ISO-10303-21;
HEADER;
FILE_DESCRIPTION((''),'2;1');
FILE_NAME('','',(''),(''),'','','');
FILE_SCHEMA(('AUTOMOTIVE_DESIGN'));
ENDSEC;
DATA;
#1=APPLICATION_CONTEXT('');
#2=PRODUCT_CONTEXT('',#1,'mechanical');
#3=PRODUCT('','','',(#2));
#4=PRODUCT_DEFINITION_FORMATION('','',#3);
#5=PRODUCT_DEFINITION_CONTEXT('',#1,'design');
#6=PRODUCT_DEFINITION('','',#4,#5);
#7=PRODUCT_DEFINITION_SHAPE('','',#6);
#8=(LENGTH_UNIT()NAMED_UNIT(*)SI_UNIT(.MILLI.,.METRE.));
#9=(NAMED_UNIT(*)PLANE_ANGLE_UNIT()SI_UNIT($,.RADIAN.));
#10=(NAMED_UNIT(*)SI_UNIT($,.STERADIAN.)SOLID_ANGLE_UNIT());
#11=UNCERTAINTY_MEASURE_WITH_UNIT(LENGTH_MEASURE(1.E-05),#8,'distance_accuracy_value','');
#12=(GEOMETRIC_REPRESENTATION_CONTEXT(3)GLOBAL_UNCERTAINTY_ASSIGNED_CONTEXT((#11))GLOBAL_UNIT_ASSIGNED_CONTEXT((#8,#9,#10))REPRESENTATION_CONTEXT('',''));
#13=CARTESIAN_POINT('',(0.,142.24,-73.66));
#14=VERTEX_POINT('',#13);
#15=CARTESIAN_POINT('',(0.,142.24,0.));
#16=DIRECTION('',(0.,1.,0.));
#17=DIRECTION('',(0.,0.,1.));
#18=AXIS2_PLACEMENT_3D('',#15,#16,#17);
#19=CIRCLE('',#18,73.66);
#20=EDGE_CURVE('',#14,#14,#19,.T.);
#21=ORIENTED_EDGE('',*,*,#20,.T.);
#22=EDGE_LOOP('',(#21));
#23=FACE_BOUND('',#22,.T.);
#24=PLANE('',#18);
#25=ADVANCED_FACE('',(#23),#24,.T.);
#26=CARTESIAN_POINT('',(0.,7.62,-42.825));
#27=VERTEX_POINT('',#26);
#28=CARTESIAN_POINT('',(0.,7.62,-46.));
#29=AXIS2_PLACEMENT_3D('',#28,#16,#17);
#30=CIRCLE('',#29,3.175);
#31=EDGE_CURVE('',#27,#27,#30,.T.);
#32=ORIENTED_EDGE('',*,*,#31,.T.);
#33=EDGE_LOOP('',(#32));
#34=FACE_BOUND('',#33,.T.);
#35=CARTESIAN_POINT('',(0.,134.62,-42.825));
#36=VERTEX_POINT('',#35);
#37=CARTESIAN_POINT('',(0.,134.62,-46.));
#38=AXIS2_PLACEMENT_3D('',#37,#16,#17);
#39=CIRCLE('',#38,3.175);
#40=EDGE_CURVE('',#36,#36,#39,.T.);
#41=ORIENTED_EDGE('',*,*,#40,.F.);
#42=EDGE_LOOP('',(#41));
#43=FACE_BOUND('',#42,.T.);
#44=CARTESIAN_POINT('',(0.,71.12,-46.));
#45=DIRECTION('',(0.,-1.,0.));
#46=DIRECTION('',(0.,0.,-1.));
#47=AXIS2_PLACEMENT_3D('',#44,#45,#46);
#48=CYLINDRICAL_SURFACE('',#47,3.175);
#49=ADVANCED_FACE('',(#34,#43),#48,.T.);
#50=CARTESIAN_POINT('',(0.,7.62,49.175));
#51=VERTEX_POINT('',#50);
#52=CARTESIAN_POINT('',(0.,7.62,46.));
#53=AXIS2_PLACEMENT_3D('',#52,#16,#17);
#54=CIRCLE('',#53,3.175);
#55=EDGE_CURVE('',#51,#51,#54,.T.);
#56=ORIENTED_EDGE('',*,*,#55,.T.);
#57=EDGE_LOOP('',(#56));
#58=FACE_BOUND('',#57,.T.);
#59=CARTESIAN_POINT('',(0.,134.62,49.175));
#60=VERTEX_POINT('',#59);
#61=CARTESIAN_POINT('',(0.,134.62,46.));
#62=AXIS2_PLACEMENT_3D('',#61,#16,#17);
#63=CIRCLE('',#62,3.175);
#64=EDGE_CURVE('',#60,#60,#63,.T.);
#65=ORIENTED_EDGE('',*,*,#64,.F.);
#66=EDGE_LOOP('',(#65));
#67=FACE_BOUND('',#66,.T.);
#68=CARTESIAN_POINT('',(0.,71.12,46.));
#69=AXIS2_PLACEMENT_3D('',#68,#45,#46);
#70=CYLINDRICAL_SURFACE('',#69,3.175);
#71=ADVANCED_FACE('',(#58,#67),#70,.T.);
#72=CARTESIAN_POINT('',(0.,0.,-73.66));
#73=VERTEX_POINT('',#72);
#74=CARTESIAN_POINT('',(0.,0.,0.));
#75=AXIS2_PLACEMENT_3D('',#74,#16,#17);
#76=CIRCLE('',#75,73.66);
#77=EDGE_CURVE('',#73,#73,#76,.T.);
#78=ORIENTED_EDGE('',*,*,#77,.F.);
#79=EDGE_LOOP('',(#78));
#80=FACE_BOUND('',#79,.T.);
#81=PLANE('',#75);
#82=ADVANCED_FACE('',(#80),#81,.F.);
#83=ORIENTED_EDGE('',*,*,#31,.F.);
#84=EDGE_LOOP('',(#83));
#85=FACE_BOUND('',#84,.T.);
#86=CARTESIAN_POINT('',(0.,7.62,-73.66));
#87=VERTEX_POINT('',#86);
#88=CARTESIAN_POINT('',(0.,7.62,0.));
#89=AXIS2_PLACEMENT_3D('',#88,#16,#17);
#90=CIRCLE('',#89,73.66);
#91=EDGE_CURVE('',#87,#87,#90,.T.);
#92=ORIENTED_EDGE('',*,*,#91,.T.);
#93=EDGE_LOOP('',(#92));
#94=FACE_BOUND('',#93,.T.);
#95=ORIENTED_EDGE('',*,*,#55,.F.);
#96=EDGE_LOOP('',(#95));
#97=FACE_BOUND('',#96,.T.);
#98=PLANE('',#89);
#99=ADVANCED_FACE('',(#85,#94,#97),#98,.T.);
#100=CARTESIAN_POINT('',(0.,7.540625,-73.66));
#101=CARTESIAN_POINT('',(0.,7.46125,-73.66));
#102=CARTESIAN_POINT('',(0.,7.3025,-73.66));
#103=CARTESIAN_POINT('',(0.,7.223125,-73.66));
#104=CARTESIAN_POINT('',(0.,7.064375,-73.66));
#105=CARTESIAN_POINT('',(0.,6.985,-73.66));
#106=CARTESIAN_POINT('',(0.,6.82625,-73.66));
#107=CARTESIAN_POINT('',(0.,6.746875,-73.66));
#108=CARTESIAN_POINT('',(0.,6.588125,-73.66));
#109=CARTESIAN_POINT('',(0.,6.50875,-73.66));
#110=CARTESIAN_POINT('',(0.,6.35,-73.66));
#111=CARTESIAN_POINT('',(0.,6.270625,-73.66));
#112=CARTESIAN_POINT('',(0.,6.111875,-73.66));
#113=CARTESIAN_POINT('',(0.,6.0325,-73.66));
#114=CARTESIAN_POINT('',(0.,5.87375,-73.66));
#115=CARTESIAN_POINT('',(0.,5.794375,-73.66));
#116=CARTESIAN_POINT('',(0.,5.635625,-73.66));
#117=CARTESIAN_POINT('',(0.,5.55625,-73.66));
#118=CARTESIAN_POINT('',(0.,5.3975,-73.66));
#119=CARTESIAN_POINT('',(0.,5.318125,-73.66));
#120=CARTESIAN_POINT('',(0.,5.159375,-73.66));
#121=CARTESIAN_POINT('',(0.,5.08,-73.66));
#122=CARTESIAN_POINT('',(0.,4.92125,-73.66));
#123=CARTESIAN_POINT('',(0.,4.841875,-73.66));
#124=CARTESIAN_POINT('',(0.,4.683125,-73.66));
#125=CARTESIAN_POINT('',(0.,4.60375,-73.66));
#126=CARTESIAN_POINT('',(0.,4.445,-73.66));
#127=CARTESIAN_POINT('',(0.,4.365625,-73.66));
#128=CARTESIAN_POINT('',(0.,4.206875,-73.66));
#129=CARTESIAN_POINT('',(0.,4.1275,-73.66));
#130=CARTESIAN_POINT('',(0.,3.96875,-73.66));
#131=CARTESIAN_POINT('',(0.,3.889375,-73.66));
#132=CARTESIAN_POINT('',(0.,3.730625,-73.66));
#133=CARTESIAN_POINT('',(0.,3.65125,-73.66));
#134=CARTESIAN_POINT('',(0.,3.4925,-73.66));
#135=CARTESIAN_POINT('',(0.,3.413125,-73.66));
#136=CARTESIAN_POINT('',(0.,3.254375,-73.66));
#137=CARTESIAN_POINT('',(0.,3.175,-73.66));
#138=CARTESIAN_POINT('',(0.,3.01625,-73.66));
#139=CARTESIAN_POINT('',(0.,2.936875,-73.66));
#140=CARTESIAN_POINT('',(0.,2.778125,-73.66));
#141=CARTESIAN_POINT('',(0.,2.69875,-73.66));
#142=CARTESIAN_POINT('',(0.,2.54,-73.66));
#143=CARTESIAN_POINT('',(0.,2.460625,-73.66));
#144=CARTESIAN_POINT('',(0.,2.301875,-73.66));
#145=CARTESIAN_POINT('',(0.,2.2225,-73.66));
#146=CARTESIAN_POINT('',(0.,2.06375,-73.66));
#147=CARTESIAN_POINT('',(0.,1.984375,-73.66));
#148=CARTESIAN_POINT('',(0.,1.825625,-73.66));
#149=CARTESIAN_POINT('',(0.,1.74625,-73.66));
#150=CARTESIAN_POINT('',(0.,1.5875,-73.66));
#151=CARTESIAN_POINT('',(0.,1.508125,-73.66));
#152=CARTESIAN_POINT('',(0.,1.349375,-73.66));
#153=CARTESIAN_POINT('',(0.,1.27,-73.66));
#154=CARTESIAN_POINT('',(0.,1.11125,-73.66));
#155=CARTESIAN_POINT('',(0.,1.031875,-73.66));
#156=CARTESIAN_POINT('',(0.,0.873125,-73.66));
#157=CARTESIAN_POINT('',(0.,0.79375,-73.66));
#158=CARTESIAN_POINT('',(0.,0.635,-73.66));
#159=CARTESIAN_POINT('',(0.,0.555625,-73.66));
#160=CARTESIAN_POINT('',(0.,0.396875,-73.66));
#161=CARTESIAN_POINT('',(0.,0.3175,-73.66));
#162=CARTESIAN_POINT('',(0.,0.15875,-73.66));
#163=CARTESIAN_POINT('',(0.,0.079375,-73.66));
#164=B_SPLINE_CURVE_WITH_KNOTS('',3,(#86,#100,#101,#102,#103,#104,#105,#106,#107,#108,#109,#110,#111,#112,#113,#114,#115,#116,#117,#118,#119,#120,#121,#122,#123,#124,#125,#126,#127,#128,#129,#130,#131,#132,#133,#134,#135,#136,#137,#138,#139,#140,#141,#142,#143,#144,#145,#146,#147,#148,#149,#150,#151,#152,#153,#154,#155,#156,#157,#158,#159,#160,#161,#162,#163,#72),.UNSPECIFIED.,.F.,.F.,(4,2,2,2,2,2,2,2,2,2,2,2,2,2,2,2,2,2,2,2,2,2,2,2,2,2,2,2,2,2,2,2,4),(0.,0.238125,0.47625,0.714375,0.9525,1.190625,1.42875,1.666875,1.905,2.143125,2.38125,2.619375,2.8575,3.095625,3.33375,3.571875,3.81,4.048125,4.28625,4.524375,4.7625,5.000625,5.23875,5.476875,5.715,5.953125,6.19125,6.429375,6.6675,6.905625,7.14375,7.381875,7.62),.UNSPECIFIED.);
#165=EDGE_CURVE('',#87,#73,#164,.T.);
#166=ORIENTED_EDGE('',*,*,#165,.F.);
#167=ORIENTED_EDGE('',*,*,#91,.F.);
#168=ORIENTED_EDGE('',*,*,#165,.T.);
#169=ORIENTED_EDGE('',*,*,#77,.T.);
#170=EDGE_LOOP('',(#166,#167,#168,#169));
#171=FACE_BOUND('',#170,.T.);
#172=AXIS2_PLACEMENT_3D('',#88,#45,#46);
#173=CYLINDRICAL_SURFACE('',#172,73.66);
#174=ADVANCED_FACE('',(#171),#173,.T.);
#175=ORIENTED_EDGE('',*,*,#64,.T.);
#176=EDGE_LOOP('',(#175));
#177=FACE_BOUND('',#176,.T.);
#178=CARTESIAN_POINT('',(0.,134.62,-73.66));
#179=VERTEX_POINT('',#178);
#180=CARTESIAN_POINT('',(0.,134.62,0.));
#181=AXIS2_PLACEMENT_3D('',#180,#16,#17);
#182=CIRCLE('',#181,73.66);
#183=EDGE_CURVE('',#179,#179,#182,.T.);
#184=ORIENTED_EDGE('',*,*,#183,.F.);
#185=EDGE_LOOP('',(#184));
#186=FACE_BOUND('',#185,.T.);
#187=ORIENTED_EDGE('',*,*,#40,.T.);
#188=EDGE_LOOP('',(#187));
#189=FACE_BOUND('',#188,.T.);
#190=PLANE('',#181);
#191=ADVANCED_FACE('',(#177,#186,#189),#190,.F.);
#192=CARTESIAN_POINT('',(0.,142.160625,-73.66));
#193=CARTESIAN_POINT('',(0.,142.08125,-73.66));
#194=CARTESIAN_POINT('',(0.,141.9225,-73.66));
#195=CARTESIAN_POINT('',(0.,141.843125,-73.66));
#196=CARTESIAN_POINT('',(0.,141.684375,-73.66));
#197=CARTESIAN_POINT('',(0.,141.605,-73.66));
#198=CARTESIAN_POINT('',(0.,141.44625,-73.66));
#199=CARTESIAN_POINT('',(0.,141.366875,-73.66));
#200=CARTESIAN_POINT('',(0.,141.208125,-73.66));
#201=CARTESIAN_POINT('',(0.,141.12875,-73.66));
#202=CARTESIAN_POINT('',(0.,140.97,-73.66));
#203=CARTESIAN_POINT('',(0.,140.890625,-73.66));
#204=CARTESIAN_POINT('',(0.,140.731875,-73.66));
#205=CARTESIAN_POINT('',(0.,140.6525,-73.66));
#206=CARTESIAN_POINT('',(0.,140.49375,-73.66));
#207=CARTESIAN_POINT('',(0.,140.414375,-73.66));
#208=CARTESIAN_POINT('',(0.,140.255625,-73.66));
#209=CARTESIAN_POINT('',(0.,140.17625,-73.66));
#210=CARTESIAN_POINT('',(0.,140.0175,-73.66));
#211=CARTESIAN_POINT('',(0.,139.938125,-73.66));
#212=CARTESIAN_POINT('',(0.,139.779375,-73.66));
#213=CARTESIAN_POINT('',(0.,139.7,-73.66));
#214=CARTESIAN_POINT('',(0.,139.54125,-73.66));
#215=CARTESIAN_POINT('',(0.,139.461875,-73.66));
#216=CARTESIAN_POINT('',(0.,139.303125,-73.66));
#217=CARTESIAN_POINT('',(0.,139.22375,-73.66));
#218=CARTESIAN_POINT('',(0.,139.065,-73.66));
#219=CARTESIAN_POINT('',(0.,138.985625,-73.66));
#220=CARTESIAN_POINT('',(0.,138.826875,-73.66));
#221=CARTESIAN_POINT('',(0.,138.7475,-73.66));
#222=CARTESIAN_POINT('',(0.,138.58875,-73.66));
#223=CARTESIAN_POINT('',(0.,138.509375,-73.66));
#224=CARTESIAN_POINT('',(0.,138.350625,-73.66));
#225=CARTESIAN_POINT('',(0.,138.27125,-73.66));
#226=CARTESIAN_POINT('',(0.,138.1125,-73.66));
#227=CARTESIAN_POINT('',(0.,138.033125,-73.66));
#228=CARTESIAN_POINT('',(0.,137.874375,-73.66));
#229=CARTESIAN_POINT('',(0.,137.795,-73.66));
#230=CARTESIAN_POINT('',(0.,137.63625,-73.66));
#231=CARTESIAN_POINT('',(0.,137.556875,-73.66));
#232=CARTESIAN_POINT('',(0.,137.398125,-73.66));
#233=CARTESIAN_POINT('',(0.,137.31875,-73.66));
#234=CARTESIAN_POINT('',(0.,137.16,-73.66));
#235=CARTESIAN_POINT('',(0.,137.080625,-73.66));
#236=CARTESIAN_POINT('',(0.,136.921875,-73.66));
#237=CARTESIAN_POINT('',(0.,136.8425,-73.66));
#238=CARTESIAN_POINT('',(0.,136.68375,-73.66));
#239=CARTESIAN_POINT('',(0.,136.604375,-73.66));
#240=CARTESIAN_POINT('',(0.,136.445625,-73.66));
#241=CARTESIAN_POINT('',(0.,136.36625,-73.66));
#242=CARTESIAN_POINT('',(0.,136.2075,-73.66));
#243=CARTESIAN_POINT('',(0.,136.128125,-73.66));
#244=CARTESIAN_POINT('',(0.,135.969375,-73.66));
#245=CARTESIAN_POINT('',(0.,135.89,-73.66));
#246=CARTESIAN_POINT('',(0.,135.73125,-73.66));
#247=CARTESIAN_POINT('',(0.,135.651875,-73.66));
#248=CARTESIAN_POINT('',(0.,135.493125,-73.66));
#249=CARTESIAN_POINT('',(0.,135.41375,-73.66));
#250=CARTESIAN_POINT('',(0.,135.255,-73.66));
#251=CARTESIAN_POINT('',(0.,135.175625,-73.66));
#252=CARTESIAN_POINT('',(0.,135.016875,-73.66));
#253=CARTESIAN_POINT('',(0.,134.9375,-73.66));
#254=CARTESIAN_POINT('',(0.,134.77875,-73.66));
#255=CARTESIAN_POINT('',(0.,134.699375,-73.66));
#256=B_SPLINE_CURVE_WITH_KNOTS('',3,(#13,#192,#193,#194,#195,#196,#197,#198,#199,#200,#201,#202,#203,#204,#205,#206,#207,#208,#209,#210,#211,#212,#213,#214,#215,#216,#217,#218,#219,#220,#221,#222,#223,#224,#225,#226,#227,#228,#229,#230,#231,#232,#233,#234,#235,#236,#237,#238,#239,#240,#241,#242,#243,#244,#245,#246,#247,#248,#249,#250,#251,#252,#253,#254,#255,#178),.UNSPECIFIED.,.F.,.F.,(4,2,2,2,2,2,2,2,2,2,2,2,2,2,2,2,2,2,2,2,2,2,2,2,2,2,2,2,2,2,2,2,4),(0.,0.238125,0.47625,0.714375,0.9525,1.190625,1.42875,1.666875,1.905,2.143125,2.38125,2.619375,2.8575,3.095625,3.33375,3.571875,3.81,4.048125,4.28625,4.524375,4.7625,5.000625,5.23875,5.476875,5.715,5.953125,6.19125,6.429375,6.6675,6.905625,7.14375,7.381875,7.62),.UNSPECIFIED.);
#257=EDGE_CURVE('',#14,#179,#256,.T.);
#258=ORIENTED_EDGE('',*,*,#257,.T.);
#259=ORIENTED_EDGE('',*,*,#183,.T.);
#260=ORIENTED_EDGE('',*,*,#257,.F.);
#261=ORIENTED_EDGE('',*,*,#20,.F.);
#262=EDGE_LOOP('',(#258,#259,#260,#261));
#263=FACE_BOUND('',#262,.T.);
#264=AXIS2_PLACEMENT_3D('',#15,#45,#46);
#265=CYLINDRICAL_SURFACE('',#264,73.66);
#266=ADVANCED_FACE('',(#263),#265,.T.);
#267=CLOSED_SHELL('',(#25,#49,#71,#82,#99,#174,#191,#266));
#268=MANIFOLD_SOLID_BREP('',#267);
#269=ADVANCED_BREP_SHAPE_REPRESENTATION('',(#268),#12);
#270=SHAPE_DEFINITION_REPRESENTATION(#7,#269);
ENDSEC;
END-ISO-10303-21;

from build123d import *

# Parameters (mm, degrees)
SKETCH1_R           = 73.66
BOSS_EXTRUDE1_DEPTH = 7.62
SKETCH2_R           = 3.175
BOSS_EXTRUDE2_DEPTH = 63.5
SKETCH3_R           = 73.66
BOSS_EXTRUDE3_DEPTH = 7.62


with BuildPart() as part:
    # Sketch1 → Boss-Extrude1 (new body)
    with BuildSketch(Plane(origin=(0, 0, 0), x_dir=(1, 0, 0), z_dir=(0, 1, 0))):
        with Locations(Location((0, 0, 0), (0, 0, 90))):
            Circle(SKETCH1_R)
    extrude(amount=BOSS_EXTRUDE1_DEPTH)

    # Sketch2 → Boss-Extrude2 (add)
    with BuildSketch(Plane(origin=(0, 7.62, 0), x_dir=(1, 0, 0), z_dir=(0, 1, 0))):
        with Locations(Location((0, 46, 0), (0, 0, 270))):
            Circle(SKETCH2_R)
        with Locations(Location((0, -46, 0), (0, 0, 270))):
            Circle(SKETCH2_R)
    boss_extrude2 = extrude(amount=BOSS_EXTRUDE2_DEPTH)

    # Mirror1: Boss-Extrude2 across plane
    add(boss_extrude2.mirror(Plane.ZX.offset(71.12)))

    # Sketch3 → Boss-Extrude3 (add)
    with BuildSketch(Plane(origin=(0, 134.62, 0), x_dir=(1, 0, 0), z_dir=(0, 1, 0))):
        with Locations(Location((0, 0, 0), (0, 0, 90))):
            Circle(SKETCH3_R)
    extrude(amount=BOSS_EXTRUDE3_DEPTH)


solid = part.part
